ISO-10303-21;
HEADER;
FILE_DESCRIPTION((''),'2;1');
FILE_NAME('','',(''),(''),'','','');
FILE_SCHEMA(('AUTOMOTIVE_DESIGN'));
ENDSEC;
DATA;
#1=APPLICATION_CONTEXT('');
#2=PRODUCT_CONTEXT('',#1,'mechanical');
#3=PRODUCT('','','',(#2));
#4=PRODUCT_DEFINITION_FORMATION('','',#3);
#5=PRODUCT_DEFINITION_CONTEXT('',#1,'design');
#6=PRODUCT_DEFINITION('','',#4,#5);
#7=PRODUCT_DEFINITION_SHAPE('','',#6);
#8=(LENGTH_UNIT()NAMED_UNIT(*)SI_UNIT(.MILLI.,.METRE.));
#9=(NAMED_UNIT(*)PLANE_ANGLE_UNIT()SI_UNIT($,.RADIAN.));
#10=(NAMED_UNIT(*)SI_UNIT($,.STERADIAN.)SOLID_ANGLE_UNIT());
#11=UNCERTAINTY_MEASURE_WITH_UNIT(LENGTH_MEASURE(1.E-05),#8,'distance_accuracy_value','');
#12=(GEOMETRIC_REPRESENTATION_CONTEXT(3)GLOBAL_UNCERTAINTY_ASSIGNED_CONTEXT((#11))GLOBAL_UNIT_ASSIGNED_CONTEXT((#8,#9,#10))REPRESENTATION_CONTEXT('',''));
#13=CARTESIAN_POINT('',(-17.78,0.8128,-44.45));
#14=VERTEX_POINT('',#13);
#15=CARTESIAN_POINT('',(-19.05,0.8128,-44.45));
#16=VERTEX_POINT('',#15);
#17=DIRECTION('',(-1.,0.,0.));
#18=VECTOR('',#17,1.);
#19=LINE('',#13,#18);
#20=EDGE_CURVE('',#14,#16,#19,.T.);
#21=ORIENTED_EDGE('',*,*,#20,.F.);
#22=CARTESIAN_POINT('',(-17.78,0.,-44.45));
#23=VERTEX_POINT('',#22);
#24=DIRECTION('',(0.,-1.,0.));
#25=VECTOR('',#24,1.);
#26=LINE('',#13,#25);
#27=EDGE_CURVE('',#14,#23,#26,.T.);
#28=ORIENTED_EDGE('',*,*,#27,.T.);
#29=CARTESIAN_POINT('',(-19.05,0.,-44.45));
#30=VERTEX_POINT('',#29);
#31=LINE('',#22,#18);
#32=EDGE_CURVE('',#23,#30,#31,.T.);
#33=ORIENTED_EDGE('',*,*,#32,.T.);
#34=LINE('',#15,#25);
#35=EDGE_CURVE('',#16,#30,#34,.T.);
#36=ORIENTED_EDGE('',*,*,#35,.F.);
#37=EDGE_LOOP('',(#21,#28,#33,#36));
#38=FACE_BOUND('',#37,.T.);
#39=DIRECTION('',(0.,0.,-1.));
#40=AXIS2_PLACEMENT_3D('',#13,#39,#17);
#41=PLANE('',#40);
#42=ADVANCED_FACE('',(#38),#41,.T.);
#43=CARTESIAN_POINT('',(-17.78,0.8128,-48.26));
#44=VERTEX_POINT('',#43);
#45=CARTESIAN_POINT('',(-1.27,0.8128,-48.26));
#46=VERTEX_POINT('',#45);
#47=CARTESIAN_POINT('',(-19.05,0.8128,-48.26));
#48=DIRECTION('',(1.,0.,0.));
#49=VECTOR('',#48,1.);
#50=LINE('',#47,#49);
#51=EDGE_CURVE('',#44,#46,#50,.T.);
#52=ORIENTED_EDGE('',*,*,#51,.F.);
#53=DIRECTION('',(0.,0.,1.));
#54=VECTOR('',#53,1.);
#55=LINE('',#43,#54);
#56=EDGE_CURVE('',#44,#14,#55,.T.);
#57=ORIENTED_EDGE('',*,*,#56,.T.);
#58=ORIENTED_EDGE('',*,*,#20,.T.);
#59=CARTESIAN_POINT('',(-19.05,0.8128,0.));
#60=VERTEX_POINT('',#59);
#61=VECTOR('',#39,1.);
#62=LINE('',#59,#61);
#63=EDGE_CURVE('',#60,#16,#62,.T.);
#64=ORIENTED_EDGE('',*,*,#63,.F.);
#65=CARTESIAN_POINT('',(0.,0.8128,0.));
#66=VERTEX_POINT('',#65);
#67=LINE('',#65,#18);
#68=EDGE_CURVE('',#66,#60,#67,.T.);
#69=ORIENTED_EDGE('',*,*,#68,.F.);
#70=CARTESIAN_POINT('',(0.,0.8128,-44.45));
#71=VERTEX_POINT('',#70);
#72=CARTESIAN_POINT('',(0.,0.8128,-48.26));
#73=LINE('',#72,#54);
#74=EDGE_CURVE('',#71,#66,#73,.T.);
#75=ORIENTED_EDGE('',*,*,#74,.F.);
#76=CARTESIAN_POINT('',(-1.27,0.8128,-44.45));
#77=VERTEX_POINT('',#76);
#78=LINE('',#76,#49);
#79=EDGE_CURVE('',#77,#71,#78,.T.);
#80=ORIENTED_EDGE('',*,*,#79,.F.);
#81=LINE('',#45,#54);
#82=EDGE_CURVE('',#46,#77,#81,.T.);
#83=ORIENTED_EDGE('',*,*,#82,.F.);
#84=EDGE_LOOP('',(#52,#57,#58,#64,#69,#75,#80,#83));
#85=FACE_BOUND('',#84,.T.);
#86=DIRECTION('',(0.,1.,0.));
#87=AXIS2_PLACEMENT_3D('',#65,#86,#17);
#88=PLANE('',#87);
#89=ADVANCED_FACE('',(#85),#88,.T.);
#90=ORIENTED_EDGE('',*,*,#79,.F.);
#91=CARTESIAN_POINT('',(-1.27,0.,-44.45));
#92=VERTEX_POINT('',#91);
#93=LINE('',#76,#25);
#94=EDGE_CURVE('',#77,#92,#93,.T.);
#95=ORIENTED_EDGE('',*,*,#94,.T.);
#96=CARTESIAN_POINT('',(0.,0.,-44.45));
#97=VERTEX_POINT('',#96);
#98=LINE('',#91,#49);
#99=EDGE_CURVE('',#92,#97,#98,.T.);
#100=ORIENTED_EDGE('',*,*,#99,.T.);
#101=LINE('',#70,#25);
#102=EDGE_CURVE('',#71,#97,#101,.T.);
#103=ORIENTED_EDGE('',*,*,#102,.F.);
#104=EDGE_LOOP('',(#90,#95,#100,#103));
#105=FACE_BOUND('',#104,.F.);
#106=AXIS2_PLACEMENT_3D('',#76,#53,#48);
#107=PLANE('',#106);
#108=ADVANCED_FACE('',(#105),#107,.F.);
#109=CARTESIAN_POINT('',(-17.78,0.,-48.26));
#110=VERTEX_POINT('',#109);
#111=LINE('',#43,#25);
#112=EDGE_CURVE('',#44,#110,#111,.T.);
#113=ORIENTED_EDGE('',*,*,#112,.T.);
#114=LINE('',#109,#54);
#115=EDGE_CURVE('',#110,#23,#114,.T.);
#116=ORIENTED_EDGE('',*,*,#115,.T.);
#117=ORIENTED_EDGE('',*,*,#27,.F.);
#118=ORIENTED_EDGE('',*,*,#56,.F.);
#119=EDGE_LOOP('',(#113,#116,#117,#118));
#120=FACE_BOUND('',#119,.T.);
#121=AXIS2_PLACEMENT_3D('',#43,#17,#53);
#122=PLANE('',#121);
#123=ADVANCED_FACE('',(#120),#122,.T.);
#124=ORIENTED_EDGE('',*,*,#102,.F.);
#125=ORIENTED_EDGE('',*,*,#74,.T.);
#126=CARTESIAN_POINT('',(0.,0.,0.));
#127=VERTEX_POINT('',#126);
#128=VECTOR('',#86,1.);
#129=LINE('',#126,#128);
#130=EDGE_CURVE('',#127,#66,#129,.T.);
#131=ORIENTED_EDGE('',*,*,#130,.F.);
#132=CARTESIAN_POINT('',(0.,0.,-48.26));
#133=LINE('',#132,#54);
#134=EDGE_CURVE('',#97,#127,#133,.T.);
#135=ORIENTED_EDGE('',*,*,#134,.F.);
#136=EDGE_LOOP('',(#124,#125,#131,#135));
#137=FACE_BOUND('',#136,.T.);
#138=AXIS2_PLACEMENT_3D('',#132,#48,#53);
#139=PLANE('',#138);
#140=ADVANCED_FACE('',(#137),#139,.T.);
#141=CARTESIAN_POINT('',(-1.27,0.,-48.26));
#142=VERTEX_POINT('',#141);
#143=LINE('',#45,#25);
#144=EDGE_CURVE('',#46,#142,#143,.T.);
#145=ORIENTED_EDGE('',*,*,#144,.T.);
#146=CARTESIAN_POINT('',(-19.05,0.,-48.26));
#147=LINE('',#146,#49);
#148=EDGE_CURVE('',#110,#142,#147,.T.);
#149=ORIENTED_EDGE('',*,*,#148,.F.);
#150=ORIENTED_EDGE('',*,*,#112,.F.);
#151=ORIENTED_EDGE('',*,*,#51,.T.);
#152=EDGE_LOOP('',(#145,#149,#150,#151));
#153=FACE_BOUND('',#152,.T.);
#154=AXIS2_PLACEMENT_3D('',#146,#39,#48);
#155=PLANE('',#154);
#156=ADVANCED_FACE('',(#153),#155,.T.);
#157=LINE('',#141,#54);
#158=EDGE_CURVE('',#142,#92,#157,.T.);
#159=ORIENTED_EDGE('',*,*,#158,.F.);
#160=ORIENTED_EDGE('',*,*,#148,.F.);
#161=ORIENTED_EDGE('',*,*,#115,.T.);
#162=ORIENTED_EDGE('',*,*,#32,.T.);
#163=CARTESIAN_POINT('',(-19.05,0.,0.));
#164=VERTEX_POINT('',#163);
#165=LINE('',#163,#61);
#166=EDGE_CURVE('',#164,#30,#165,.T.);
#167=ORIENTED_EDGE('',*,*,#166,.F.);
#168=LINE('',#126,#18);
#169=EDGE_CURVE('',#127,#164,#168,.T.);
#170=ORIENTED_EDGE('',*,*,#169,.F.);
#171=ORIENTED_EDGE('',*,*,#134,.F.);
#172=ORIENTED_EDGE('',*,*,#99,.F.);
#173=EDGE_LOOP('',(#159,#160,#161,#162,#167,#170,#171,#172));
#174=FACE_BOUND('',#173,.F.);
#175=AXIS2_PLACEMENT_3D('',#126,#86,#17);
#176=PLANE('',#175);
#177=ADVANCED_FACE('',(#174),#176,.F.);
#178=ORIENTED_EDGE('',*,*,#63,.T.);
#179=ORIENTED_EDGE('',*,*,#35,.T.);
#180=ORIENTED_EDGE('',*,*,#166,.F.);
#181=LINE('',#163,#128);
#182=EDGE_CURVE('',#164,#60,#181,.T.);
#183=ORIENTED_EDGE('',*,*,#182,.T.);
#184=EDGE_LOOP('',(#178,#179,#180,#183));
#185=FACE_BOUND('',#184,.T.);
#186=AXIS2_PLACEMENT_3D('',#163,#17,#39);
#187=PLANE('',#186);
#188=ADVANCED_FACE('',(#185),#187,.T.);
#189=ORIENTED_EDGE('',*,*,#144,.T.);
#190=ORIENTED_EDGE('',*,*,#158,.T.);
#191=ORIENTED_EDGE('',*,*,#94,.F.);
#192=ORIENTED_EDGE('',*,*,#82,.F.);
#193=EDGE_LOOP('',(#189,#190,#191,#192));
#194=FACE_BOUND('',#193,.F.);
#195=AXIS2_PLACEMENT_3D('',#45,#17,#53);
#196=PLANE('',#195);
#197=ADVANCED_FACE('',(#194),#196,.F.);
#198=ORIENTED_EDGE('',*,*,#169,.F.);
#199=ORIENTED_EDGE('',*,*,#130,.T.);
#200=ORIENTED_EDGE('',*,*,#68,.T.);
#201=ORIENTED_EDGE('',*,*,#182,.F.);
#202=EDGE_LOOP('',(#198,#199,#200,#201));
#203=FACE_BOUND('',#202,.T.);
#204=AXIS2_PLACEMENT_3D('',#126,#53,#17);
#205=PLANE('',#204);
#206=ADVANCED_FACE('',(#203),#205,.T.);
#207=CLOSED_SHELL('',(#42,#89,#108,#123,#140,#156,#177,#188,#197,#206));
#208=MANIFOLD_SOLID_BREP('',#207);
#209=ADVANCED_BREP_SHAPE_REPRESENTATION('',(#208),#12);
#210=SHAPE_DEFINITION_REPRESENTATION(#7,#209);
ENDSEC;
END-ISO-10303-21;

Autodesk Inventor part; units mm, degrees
ref_plane "YZ Plane" through (0, 0, 0) normal (1, 0, 0) x (0, 1, 0)
ref_plane "XZ Plane" through (0, 0, 0) normal (0, 1, 0) x (-1, 0, 0)
ref_plane "XY Plane" through (0, 0, 0) normal (0, 0, 1) x (1, 0, 0)
sketch "Sketch1" plane through (0, 0, 0) normal (0, 1, 0) x (-1, 0, 0)
  line L0 (0, 0) -> (19.05, 0)
  line L1 (19.05, 0) -> (19.05, -48.26)
  line L2 (19.05, -48.26) -> (0, -48.26)
  line L3 (0, -48.26) -> (0, 0)
  dimension "d0" = 19.05
  dimension "d1" = 48.26
extrude "Extrusion1" add sketch "Sketch1" along normal blind 0.8128
sketch "Sketch2" plane through (0, 0.8128, 0) normal (0, 1, 0) x (1, 0, 0)
  line L0 (0, 0) -> (0, 48.26) projected
  line L1 (0, 48.26) -> (-1.27, 48.26)
  line L2 (-1.27, 48.26) -> (-1.27, 44.45)
  line L3 (-1.27, 44.45) -> (0, 44.45)
  line L4 (0, 44.45) -> (0, 48.26)
  point P0 (0, 44.45)
  dimension "d4" = 1.27
  dimension "d5" = 3.81
extrude "Extrusion2" cut sketch "Sketch2" against normal blind 0.8128
sketch "Sketch3" plane through (0, 0.8128, 0) normal (0, 1, 0) x (1, 0, 0)
  line L0 (-19.05, 48.26) -> (-19.05, 0) projected
  line L1 (-19.05, 48.26) -> (-17.78, 48.26)
  line L2 (-17.78, 48.26) -> (-17.78, 44.45)
  line L3 (-17.78, 44.45) -> (-19.05, 44.45)
  line L4 (-19.05, 44.45) -> (-19.05, 48.26)
  point P0 (0, 0)
  point P1 (-19.05, 44.45)
  dimension "d8" = 1.27
  dimension "d9" = 3.81
extrude "Extrusion3" cut sketch "Sketch3" against normal blind 0.8128
